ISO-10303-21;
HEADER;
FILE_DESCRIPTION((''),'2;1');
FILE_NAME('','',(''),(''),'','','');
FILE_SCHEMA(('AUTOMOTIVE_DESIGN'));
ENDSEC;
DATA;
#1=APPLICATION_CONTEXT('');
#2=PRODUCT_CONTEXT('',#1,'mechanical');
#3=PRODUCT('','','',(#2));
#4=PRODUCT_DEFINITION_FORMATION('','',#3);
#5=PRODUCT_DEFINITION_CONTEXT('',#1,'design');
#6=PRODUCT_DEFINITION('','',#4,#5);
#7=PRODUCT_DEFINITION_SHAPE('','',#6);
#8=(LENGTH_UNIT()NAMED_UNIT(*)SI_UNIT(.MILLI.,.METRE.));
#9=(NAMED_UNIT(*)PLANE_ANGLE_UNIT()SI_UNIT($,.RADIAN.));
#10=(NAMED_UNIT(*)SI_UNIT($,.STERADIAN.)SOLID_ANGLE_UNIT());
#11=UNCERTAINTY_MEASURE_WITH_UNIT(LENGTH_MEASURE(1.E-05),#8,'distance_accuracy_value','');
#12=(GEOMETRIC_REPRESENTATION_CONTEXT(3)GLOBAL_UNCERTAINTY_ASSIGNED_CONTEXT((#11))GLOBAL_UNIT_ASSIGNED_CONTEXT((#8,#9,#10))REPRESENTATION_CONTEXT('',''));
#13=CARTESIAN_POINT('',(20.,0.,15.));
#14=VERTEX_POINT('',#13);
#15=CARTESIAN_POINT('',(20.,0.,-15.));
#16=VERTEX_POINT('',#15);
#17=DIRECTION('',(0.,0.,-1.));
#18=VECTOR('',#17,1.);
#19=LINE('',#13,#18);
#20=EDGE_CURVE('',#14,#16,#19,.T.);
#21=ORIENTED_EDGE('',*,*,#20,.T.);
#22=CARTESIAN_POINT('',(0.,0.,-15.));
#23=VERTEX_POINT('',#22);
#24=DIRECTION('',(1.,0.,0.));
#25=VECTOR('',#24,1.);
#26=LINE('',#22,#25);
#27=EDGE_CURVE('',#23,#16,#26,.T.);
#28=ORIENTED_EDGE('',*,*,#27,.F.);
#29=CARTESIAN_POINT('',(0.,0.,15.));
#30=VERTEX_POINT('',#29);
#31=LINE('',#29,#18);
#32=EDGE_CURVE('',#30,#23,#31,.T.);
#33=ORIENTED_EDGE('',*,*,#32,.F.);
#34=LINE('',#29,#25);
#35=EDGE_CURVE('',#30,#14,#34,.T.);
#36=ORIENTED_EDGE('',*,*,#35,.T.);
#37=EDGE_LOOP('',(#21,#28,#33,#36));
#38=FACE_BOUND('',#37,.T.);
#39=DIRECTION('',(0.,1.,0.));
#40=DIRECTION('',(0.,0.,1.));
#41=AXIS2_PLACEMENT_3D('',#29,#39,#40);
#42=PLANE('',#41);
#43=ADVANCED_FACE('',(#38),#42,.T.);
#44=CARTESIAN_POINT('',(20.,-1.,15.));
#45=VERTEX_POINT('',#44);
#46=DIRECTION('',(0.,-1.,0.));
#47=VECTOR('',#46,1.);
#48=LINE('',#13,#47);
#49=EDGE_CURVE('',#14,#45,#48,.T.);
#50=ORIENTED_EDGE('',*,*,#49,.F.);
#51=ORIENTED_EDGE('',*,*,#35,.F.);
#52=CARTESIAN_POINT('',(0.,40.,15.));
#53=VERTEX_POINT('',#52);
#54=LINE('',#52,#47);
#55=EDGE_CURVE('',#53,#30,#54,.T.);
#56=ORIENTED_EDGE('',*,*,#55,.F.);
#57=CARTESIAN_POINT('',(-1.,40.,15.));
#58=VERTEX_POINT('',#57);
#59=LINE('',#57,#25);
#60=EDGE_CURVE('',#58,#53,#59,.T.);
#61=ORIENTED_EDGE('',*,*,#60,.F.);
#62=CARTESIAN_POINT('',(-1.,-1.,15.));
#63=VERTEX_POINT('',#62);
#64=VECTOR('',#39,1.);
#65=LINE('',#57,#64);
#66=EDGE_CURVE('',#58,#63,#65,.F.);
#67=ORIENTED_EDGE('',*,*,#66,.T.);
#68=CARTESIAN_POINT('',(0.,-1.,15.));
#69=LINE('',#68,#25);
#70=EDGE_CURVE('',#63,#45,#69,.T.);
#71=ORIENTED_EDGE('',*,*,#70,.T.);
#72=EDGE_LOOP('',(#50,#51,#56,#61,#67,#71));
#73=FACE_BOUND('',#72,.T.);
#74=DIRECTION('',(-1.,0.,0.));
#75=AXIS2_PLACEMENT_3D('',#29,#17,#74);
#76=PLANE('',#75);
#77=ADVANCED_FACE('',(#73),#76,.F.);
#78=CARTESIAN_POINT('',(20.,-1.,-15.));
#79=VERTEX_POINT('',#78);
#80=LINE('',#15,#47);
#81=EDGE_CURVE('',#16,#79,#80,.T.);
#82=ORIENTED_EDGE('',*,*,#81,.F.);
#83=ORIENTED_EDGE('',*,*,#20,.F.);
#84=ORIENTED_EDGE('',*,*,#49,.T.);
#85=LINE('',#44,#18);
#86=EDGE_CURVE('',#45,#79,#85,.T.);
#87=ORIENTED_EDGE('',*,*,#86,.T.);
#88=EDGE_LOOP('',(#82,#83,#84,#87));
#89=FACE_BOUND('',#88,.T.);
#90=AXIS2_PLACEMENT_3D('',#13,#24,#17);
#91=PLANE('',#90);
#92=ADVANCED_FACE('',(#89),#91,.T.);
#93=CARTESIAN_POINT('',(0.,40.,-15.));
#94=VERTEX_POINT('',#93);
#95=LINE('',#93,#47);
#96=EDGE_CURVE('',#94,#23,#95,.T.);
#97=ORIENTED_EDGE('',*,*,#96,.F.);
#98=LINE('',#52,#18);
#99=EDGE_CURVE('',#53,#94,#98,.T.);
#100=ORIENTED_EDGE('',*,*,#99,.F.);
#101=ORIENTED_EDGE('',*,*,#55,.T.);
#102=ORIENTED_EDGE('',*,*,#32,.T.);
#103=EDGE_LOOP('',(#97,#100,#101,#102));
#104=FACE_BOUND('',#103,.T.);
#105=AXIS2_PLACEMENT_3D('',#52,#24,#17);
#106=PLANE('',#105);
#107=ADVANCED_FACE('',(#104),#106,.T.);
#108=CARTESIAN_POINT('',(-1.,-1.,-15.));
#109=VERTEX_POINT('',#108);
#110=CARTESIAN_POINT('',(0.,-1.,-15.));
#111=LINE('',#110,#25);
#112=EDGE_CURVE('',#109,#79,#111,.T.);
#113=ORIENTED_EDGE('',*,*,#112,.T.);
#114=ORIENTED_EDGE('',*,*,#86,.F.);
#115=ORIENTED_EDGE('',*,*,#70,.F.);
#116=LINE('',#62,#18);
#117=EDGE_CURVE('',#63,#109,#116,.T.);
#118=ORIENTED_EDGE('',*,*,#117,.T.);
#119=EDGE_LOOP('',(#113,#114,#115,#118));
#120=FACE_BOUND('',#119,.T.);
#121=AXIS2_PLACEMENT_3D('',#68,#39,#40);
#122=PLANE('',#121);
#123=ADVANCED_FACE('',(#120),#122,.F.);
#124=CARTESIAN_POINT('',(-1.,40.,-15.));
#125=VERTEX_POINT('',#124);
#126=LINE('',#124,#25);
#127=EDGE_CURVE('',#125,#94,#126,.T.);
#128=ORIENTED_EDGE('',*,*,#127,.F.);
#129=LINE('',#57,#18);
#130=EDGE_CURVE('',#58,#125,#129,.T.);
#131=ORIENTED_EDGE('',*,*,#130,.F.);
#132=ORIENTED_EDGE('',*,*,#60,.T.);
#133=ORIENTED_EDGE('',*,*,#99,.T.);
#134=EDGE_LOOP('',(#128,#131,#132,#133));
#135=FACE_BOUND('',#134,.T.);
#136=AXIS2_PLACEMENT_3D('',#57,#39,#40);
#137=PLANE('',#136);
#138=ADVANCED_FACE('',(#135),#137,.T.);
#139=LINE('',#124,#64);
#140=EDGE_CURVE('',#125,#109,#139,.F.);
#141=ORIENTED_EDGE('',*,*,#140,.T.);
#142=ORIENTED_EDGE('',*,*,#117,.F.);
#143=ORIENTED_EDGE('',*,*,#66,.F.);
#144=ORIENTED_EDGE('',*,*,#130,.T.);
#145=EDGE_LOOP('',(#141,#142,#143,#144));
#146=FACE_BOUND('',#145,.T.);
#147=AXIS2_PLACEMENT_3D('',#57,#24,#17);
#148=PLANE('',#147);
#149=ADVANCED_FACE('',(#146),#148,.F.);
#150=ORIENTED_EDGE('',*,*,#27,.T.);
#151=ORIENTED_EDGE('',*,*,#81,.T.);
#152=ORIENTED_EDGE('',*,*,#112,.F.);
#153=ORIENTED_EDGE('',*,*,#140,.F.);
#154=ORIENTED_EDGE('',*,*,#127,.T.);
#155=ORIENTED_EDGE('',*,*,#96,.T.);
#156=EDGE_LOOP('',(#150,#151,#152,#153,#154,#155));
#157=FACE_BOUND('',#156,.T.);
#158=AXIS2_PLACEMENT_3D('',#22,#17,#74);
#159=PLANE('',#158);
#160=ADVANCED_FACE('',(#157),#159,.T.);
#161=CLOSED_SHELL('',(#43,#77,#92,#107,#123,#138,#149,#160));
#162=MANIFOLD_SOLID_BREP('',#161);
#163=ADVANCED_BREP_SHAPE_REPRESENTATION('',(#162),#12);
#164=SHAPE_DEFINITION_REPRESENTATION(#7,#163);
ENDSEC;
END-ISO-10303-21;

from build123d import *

# Parameters (mm, degrees)
EXTRUDE_THIN1_DEPTH = 15


with BuildPart() as part:
    # Sketch1 → Extrude-Thin1 (new body, symmetric)
    with BuildSketch(Plane.XY):
        Polygon((0, 40), (0, 0), (20, 0), (20, -1), (-1, -1), (-1, 40), align=None)
    extrude(amount=EXTRUDE_THIN1_DEPTH, both=True)


solid = part.part
